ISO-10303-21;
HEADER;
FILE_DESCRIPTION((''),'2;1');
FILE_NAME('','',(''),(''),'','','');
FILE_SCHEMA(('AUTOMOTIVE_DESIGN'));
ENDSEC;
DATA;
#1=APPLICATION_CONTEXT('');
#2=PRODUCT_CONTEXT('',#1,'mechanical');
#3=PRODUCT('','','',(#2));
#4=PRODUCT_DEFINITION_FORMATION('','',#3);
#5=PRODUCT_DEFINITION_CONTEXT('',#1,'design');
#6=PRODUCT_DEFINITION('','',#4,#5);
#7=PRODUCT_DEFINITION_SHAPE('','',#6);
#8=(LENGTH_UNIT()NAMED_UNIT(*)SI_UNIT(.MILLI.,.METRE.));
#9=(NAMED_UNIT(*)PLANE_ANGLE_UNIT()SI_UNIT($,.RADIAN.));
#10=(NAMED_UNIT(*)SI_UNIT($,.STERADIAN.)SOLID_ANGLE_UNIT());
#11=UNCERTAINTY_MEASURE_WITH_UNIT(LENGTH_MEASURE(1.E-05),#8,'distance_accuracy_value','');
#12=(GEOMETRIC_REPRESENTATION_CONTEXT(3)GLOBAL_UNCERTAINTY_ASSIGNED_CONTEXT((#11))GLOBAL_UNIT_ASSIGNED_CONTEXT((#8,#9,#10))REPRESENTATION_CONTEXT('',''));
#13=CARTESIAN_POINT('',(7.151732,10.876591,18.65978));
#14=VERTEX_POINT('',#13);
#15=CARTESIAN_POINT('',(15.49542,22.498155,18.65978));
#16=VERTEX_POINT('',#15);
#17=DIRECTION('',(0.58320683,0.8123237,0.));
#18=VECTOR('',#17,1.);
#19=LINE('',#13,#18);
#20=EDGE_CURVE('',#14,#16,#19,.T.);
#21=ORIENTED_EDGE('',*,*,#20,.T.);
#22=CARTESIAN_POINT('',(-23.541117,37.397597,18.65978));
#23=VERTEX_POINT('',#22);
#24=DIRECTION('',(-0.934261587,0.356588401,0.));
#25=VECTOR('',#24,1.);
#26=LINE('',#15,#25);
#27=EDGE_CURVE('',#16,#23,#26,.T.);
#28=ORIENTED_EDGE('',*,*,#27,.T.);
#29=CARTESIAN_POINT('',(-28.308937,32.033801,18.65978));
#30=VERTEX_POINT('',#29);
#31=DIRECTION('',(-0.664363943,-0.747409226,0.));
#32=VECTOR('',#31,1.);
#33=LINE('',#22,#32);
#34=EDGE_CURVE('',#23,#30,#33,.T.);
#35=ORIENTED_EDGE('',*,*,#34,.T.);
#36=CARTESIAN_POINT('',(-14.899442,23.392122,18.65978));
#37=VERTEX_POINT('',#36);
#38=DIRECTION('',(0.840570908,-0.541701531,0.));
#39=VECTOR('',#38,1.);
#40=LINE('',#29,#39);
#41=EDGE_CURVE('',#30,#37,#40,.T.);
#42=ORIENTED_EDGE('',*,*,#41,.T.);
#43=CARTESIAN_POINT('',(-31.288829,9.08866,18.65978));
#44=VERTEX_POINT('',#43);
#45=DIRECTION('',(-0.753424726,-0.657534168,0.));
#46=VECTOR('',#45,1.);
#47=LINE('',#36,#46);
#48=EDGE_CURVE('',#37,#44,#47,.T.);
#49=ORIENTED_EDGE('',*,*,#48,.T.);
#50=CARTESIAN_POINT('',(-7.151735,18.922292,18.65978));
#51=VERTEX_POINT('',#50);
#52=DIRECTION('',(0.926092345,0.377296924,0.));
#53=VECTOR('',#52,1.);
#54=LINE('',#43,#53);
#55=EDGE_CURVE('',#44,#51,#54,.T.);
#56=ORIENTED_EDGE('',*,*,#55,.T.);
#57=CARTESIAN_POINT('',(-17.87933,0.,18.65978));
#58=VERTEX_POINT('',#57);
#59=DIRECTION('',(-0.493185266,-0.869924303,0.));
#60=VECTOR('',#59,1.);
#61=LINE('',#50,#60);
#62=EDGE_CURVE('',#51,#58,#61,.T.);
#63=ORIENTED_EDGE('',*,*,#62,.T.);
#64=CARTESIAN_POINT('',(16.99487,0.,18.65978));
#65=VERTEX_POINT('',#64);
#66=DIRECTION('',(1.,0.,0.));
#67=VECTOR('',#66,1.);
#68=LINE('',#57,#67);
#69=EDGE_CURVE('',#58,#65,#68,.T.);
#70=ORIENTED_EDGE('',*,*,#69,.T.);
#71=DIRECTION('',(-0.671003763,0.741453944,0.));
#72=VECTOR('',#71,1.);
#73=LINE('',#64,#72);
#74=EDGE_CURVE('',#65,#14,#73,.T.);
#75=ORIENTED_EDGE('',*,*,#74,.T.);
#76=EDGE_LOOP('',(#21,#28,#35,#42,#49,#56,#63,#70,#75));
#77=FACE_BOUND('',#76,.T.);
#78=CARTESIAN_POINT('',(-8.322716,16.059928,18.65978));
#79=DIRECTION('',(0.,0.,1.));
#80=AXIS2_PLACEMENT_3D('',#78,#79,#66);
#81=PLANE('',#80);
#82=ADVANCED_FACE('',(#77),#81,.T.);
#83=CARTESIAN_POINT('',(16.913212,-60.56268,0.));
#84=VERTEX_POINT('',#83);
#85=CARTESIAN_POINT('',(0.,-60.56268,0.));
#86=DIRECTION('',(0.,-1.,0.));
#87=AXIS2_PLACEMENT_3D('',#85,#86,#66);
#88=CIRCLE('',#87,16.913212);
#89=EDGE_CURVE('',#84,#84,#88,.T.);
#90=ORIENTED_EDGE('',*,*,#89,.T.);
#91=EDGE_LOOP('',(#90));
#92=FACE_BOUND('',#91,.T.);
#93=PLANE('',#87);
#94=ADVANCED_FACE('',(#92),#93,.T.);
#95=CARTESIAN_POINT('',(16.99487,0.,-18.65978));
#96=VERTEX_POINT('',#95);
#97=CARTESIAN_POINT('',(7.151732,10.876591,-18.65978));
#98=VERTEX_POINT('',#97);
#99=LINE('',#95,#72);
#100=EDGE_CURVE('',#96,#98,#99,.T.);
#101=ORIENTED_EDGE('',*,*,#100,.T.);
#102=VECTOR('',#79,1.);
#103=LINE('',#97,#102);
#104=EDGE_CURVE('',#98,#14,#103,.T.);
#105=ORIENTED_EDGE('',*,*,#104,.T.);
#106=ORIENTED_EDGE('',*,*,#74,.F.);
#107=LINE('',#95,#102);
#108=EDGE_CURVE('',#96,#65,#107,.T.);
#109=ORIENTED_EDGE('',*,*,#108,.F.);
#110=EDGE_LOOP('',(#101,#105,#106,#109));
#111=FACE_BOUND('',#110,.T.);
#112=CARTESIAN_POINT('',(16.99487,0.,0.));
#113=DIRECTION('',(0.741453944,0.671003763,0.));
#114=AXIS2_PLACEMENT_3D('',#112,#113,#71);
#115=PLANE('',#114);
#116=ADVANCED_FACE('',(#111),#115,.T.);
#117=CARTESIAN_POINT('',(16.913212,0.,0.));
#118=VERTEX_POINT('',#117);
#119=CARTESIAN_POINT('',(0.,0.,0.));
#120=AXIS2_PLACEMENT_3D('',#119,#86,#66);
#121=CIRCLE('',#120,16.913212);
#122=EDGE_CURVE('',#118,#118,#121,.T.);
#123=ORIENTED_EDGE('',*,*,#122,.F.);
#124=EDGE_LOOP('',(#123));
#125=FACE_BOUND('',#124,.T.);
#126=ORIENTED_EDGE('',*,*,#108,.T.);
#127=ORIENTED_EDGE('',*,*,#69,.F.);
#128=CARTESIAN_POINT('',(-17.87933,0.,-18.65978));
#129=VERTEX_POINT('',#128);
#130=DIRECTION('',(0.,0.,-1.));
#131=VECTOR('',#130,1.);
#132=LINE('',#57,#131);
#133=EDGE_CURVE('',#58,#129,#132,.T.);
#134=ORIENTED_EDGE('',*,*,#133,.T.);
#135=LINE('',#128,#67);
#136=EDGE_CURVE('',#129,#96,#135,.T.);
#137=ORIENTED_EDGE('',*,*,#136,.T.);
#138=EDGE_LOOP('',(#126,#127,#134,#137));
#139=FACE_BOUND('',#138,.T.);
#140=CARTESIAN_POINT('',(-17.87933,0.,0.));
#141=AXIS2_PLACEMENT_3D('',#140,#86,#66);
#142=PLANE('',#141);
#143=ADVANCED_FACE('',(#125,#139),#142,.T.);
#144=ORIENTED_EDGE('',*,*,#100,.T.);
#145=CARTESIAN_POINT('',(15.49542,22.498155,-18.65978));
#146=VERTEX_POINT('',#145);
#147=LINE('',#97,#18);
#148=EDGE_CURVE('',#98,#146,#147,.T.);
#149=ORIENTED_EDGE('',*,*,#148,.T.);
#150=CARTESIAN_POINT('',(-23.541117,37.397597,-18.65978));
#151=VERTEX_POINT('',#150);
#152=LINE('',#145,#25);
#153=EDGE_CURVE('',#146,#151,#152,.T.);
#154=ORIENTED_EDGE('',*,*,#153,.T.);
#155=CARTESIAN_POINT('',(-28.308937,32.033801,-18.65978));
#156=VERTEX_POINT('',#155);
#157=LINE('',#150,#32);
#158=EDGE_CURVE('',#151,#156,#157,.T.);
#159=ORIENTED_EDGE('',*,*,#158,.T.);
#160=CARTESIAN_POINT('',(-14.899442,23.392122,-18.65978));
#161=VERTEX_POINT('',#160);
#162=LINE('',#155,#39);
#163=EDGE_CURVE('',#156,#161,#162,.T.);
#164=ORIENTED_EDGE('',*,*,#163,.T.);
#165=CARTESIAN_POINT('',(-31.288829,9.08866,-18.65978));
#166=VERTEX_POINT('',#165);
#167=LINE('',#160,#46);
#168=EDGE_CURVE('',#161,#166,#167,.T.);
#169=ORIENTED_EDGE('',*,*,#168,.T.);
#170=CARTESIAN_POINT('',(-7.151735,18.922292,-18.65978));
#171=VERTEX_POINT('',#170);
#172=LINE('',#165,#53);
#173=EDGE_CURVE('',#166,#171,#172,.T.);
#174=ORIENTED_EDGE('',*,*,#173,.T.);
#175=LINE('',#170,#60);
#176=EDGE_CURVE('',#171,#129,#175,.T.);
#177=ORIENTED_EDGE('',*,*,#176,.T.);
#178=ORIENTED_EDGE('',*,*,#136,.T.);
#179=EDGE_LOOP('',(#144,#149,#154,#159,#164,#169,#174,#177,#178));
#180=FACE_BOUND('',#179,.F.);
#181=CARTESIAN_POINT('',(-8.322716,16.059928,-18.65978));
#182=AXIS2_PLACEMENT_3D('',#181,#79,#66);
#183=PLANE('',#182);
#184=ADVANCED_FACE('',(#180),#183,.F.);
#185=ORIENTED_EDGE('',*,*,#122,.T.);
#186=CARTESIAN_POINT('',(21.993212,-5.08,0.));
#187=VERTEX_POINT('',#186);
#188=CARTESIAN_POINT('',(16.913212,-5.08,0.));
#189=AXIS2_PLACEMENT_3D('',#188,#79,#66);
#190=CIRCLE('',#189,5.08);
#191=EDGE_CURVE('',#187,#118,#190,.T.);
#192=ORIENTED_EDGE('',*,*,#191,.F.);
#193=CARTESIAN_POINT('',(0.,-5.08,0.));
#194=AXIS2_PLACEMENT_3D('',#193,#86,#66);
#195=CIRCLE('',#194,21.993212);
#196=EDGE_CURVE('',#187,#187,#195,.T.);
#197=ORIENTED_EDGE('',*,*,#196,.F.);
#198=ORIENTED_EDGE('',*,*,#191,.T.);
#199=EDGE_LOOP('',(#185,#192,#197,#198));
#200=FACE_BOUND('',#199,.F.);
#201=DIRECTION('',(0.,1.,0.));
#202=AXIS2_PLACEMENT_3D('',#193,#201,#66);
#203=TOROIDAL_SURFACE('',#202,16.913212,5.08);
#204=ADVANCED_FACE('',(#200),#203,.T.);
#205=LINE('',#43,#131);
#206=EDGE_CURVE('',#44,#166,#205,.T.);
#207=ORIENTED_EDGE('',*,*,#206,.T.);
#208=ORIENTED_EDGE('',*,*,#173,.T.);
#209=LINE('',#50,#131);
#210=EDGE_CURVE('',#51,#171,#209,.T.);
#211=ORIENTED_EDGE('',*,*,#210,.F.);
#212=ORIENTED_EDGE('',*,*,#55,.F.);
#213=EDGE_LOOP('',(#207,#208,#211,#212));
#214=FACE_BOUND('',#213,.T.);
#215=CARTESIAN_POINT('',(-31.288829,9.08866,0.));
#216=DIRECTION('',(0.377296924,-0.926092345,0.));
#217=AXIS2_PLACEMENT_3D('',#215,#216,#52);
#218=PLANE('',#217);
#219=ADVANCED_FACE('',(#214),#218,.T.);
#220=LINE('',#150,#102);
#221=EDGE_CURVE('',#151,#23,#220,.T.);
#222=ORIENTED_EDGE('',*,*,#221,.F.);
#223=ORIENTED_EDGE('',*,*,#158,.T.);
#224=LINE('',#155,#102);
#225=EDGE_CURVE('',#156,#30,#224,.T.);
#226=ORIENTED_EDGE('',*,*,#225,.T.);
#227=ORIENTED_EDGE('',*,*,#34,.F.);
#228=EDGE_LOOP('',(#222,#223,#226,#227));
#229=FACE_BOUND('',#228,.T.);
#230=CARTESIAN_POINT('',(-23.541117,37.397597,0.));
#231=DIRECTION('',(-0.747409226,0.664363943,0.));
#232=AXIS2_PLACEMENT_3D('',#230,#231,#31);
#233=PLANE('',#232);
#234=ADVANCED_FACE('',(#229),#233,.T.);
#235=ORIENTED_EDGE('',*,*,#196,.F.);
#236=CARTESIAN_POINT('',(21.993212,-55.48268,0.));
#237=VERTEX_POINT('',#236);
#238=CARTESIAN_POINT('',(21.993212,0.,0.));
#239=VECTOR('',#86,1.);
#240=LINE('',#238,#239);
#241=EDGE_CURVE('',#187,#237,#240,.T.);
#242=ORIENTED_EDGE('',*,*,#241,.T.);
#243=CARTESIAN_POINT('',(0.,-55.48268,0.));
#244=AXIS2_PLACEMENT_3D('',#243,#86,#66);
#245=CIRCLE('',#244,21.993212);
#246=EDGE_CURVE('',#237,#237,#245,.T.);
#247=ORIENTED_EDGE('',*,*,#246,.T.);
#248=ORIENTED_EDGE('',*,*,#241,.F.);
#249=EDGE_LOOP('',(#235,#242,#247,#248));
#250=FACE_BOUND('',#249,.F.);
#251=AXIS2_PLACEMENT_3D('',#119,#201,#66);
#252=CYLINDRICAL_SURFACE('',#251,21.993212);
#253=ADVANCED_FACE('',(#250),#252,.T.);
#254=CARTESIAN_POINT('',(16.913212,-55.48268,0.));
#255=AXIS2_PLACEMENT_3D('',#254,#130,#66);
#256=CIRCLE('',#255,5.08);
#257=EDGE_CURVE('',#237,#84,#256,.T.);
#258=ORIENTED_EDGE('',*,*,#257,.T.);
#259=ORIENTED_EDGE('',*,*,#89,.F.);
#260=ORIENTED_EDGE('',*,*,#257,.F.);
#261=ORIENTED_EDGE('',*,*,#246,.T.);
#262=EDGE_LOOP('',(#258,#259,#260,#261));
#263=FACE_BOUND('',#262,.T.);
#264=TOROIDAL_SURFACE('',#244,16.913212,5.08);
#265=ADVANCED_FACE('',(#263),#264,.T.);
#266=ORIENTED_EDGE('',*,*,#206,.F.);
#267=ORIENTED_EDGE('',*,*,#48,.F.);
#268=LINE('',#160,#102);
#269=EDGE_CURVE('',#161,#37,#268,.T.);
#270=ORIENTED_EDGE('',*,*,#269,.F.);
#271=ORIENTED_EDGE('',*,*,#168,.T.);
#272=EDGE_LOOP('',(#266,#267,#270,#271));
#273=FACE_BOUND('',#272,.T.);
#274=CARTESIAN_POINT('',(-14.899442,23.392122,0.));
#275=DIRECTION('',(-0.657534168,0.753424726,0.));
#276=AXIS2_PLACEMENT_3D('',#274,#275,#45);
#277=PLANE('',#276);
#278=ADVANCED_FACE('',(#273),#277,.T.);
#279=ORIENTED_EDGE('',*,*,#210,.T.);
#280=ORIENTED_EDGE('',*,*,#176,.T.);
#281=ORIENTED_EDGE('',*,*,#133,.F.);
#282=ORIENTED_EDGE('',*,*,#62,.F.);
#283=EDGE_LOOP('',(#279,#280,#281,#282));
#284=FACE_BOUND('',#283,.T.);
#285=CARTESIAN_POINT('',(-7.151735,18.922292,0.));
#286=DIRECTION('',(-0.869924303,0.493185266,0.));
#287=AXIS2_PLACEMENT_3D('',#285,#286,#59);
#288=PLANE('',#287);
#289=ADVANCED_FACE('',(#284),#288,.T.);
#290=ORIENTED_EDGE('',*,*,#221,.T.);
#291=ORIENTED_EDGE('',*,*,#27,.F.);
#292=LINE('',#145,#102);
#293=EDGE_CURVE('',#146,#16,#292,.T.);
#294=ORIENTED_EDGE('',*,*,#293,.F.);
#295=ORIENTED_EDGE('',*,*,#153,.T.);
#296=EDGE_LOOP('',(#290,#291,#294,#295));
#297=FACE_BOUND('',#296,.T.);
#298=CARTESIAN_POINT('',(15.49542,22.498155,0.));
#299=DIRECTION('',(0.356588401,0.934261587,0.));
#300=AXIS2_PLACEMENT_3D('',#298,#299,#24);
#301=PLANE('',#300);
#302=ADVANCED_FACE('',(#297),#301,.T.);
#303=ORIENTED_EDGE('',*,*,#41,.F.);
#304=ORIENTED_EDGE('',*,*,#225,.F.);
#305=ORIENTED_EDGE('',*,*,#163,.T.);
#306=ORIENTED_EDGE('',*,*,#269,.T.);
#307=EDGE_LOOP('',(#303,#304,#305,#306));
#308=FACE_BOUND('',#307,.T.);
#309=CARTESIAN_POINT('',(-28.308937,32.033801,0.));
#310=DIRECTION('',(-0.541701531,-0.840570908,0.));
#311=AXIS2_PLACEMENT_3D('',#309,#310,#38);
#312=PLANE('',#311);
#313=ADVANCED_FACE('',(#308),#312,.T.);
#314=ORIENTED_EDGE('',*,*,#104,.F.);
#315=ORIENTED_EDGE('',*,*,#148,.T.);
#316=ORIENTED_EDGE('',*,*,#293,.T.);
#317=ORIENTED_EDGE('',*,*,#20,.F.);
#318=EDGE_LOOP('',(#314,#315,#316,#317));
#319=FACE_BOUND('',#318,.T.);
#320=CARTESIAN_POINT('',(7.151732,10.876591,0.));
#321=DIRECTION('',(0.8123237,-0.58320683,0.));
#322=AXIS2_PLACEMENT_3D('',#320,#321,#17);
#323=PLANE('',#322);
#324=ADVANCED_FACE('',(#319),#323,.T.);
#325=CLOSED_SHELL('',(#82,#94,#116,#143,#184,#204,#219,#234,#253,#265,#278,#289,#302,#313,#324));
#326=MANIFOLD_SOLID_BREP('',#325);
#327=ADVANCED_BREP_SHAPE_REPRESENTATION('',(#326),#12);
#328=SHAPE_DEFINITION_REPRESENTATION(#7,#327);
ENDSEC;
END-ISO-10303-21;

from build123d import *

# Parameters (mm, degrees)
F0_R     = 21.993212
F1_DEPTH = 60.56268
F2_R     = 5.08
F4_DEPTH = 18.65978


with BuildPart() as f1:
    # F0 (on Front) → F1 (new body)
    with BuildSketch(Plane.XZ):
        Circle(F0_R)
    extrude(amount=F1_DEPTH)

    # F2
    f2_edges = [f1.edges().sort_by_distance(p)[0] for p in [
        (21.993212, -30.28134, 0),
        (-21.993212, 0, 0),
        (-21.993212, -60.56268, 0),
    ]]
    fillet(f2_edges, radius=F2_R)

    # F3 (on Top) → F4 (join, symmetric)
    with BuildSketch(Plane.XY):
        Polygon((-17.87933, 0), (16.99487, 0), (7.151732, 10.876591), (15.49542, 22.498155), (-23.541117, 37.397597), (-28.308937, 32.033801), (-14.899442, 23.392122), (-31.288829, 9.08866), (-7.151735, 18.922292), align=None)
    extrude(amount=F4_DEPTH, both=True)


solid = f1.part
